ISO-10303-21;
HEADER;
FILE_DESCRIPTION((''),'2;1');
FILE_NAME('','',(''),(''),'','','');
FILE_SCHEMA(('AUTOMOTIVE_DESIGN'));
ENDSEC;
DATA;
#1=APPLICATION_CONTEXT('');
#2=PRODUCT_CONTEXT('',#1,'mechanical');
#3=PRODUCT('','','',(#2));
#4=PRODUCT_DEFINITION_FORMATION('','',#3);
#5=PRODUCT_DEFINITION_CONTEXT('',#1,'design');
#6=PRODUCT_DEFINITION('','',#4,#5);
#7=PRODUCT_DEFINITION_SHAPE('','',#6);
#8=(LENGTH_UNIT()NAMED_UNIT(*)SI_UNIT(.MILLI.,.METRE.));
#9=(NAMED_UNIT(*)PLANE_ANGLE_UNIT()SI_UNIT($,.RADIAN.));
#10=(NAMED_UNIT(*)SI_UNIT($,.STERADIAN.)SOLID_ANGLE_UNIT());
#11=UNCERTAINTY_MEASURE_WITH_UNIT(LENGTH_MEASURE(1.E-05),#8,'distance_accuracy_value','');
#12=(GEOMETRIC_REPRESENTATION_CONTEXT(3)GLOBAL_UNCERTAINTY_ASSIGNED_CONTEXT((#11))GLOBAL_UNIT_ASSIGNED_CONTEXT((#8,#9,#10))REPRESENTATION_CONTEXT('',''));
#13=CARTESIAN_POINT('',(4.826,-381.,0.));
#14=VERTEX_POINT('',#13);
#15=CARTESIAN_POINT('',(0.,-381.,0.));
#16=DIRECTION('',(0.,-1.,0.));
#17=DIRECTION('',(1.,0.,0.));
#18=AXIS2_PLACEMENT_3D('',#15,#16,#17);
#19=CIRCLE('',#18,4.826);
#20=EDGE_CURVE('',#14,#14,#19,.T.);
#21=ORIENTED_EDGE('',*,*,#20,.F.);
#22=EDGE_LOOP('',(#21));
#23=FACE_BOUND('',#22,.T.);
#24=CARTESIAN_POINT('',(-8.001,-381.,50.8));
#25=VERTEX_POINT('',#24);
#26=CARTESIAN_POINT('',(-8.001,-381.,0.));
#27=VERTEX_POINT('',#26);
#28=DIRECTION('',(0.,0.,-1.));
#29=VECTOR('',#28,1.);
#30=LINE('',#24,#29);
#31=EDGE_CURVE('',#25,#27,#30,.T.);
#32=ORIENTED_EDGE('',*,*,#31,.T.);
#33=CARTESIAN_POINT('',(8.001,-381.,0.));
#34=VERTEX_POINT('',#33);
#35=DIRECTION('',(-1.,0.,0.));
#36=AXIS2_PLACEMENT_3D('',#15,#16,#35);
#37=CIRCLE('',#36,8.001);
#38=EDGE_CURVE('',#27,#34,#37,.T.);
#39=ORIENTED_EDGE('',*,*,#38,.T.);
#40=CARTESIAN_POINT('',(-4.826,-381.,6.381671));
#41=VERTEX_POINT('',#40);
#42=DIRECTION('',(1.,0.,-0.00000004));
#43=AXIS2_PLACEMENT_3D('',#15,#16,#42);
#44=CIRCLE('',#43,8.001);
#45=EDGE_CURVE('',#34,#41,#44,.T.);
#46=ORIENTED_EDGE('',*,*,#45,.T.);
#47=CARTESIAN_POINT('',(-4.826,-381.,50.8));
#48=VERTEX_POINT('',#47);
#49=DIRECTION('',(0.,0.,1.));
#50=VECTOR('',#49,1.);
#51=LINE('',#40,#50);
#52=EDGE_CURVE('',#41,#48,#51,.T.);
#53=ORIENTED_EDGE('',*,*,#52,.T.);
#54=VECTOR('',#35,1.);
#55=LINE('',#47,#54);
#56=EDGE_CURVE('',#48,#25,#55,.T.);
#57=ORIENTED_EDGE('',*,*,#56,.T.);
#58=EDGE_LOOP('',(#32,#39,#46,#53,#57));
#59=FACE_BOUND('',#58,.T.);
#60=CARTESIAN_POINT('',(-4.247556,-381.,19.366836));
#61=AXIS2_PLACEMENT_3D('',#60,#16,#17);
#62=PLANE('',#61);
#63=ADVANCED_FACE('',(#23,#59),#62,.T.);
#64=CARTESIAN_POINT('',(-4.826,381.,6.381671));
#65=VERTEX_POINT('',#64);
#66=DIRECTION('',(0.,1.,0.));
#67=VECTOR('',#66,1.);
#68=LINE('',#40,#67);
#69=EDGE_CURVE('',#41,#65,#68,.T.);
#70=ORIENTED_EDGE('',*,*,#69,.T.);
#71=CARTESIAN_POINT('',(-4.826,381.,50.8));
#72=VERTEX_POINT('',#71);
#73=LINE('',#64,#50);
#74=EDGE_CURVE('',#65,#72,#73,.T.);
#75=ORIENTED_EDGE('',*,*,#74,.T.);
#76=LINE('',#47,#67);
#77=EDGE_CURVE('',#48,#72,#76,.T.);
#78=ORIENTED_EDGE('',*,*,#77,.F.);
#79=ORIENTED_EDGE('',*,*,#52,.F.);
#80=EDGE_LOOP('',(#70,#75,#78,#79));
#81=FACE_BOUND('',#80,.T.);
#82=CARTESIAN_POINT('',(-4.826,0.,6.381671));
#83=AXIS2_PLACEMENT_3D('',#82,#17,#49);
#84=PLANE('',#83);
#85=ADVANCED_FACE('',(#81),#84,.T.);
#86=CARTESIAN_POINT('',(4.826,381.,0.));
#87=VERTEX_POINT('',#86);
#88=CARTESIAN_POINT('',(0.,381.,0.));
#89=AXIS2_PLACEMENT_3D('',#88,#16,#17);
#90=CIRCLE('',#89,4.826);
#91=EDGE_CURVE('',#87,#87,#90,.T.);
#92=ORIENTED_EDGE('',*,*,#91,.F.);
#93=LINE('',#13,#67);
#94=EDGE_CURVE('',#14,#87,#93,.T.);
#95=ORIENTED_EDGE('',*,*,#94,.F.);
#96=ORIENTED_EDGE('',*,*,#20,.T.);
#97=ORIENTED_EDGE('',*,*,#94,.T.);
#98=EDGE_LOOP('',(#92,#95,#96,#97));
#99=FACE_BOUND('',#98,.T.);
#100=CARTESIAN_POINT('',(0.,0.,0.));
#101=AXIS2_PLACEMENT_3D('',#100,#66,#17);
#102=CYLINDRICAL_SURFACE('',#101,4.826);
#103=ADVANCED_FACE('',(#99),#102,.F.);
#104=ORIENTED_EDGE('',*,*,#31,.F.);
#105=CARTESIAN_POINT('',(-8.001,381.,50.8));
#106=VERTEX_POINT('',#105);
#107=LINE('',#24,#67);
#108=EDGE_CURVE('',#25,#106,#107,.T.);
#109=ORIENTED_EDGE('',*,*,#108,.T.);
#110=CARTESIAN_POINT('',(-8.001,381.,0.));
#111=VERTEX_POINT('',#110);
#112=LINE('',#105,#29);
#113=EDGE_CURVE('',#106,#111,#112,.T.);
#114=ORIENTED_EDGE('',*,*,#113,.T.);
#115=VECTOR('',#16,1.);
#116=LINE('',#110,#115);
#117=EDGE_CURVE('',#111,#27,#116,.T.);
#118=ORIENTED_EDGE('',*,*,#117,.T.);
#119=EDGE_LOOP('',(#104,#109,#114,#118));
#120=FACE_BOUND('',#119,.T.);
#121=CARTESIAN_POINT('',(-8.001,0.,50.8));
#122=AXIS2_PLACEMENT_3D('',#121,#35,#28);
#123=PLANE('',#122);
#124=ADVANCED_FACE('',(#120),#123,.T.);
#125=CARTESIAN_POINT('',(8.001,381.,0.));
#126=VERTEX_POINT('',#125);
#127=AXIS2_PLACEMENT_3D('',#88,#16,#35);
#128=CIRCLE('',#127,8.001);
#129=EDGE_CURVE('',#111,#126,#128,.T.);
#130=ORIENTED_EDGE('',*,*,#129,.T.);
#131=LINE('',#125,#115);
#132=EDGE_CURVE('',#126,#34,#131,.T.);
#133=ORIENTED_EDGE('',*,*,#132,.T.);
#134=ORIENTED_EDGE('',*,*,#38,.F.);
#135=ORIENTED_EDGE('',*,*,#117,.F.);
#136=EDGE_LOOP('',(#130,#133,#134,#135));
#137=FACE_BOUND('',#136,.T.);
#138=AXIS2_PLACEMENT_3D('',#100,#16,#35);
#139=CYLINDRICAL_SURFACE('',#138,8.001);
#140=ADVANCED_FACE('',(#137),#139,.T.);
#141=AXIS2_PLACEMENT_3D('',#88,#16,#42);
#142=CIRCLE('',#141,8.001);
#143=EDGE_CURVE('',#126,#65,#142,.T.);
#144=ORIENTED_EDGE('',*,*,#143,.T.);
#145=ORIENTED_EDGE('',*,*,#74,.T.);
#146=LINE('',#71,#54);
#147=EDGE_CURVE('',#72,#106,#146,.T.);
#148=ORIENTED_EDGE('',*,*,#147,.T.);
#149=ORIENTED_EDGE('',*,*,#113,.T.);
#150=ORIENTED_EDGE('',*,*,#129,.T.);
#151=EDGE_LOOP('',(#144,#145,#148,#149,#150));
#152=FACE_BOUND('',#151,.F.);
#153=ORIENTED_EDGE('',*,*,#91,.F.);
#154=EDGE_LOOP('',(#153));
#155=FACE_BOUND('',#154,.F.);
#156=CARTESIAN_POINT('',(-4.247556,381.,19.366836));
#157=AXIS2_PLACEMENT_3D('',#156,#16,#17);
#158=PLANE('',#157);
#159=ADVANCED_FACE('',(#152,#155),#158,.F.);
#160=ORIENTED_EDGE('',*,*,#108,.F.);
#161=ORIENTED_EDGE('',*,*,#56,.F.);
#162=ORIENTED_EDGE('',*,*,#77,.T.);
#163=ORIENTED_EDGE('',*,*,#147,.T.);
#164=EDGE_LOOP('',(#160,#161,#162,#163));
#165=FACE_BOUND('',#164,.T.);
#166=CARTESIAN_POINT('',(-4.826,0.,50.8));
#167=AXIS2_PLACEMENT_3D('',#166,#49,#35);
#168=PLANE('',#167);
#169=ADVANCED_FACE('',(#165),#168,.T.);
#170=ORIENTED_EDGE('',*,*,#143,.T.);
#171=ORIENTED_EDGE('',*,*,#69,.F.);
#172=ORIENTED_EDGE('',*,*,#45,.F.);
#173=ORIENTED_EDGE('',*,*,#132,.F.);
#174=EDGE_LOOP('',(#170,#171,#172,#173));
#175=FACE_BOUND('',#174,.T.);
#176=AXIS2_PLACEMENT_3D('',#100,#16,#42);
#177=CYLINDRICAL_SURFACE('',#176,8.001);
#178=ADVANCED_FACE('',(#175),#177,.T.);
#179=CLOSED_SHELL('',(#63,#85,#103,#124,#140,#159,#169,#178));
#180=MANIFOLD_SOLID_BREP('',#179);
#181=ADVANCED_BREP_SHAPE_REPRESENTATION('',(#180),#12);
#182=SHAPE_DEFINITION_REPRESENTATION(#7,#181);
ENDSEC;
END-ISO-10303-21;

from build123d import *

# Parameters (mm, degrees)
F0_R     = 4.826
F1_DEPTH = 381


with BuildPart() as f1:
    # F0 (on Front) → F1 (new body, symmetric)
    with BuildSketch(Plane.XZ):
        with BuildLine():
            Line((-8.001, 50.8), (-8.001, 0))
            ThreePointArc((-8.001, 0), (0, -8.001), (8.001, 0))
            ThreePointArc((8.001, 0), (3.563929, 7.163408), (-4.826, 6.381671))
            Line((-4.826, 6.381671), (-4.826, 50.8))
            Line((-4.826, 50.8), (-8.001, 50.8))
        make_face()
        Circle(F0_R, mode=Mode.SUBTRACT)
    extrude(amount=F1_DEPTH, both=True)


solid = f1.part
